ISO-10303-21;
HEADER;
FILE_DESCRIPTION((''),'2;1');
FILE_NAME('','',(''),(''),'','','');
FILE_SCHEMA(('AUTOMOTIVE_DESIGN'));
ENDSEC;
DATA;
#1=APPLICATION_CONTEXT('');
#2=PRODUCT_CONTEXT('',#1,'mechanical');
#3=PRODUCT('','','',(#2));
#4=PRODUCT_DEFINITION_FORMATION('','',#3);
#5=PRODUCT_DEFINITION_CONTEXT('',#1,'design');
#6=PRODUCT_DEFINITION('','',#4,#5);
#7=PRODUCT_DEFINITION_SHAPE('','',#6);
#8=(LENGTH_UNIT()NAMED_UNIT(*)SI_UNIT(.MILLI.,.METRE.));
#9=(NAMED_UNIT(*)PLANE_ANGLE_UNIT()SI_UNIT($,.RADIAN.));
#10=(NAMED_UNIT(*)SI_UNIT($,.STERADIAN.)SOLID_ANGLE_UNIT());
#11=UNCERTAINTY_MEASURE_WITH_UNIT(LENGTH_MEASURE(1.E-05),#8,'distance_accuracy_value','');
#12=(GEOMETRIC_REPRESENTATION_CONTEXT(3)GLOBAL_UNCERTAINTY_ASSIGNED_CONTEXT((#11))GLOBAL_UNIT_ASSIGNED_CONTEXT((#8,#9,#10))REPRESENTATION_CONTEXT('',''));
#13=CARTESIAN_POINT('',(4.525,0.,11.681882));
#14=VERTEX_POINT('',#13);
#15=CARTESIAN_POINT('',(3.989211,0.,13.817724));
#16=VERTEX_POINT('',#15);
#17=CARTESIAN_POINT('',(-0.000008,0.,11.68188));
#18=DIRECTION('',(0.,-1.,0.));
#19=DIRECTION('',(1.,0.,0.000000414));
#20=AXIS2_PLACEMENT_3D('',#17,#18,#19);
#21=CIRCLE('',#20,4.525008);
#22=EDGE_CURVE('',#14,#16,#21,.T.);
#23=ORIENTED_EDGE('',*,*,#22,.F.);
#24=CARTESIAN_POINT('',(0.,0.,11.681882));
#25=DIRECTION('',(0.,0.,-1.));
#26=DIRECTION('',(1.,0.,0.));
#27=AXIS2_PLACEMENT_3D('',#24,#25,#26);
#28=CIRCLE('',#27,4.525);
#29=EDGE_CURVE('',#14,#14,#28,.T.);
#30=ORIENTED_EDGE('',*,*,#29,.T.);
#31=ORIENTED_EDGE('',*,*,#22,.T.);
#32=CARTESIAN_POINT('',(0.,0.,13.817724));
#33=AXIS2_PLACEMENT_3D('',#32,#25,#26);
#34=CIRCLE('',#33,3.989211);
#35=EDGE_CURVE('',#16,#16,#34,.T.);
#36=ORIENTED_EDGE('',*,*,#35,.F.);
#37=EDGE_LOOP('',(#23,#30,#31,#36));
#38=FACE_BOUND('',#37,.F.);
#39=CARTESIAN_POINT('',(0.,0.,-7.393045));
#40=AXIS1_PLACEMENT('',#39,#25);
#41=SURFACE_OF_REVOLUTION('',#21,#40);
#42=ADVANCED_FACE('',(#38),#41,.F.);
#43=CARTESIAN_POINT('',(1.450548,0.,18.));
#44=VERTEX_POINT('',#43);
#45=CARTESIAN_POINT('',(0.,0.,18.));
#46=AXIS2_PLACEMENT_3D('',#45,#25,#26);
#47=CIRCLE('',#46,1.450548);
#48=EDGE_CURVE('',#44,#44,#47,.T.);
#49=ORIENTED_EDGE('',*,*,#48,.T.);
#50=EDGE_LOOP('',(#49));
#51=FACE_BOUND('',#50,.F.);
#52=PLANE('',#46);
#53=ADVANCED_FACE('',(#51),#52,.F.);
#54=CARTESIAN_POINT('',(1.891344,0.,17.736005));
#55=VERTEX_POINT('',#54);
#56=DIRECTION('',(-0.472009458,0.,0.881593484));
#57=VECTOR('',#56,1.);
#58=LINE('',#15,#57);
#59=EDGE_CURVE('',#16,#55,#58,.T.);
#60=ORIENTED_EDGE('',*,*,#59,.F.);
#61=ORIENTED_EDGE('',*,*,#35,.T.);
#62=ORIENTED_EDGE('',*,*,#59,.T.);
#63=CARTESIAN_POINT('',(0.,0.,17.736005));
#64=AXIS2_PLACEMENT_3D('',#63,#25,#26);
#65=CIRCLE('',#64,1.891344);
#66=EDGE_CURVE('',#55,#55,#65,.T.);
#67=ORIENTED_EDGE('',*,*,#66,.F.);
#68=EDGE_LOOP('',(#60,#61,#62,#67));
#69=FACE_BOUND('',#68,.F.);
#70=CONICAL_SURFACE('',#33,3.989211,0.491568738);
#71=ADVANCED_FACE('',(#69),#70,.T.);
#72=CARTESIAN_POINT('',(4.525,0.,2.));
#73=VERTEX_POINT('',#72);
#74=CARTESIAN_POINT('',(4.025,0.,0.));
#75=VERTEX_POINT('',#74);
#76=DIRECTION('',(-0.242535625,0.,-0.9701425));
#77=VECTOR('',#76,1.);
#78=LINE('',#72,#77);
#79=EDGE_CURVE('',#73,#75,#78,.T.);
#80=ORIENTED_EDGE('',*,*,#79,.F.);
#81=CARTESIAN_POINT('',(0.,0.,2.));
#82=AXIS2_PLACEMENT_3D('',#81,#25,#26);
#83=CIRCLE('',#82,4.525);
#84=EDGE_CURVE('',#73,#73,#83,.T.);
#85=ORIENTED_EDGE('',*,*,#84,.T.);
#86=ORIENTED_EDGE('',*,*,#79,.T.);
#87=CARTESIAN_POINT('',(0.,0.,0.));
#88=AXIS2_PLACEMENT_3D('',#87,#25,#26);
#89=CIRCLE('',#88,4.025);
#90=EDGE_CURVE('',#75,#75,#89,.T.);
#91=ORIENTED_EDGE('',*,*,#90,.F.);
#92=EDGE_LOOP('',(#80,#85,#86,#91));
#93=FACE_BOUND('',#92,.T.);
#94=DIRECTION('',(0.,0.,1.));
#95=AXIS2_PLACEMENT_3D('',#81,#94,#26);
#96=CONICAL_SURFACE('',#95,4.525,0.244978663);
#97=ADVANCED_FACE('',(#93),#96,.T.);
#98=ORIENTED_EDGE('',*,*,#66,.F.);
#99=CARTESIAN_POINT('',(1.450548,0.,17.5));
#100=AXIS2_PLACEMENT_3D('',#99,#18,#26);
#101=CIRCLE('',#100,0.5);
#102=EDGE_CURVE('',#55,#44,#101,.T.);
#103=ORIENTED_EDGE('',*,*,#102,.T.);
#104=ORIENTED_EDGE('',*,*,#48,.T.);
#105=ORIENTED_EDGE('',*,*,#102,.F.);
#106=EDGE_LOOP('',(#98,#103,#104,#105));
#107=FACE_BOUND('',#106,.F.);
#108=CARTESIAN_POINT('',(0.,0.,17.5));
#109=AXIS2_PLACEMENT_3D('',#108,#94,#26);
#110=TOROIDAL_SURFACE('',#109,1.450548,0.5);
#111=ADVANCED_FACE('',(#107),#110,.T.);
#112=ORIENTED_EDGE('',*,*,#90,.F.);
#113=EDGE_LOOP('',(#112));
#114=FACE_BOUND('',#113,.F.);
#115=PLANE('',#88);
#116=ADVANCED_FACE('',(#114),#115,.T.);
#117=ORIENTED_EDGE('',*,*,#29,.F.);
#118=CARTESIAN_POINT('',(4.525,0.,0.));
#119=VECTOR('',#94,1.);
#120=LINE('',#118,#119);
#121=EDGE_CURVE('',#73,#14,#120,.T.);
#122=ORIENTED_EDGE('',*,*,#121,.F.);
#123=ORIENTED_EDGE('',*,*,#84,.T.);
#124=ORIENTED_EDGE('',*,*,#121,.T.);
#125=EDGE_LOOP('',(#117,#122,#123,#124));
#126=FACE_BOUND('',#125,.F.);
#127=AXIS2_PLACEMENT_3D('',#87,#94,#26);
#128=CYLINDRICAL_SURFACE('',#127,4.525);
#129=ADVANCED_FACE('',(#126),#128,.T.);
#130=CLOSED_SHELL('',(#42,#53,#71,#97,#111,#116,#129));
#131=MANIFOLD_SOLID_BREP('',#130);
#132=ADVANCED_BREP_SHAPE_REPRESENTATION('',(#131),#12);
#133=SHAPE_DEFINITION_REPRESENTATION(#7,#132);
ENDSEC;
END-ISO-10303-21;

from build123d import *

# Parameters (mm, degrees)
F2_R     = 0.5
F3_SIZE2 = 0.5
F3_SIZE  = 2


with BuildPart() as f1:
    # F0 (on Front) → F1 (revolve)
    with BuildSketch(Plane.XZ):
        with BuildLine():
            Line((0, 18), (0, 0))
            Line((0, 0), (4.525, 0))
            Line((4.525, 0), (4.525, 11.681882))
            ThreePointArc((4.525, 11.681882), (4.389009, 12.782892), (3.989211, 13.817724))
            Line((3.989211, 13.817724), (1.75, 18))
            Line((1.75, 18), (0, 18))
        make_face()
    revolve(axis=Axis((0, 0, -7.393045), (0, 0, -1)))

    # F2
    f2_edges = [f1.edges().sort_by_distance(p)[0] for p in [
        (-1.75, 0, 18),
    ]]
    fillet(f2_edges, radius=F2_R)

    # F3
    f3_edges = [f1.edges().sort_by_distance(p)[0] for p in [
        (-4.525, 0, 0),
    ]]
    chamfer(f3_edges, length=F3_SIZE, length2=F3_SIZE2)


solid = f1.part
